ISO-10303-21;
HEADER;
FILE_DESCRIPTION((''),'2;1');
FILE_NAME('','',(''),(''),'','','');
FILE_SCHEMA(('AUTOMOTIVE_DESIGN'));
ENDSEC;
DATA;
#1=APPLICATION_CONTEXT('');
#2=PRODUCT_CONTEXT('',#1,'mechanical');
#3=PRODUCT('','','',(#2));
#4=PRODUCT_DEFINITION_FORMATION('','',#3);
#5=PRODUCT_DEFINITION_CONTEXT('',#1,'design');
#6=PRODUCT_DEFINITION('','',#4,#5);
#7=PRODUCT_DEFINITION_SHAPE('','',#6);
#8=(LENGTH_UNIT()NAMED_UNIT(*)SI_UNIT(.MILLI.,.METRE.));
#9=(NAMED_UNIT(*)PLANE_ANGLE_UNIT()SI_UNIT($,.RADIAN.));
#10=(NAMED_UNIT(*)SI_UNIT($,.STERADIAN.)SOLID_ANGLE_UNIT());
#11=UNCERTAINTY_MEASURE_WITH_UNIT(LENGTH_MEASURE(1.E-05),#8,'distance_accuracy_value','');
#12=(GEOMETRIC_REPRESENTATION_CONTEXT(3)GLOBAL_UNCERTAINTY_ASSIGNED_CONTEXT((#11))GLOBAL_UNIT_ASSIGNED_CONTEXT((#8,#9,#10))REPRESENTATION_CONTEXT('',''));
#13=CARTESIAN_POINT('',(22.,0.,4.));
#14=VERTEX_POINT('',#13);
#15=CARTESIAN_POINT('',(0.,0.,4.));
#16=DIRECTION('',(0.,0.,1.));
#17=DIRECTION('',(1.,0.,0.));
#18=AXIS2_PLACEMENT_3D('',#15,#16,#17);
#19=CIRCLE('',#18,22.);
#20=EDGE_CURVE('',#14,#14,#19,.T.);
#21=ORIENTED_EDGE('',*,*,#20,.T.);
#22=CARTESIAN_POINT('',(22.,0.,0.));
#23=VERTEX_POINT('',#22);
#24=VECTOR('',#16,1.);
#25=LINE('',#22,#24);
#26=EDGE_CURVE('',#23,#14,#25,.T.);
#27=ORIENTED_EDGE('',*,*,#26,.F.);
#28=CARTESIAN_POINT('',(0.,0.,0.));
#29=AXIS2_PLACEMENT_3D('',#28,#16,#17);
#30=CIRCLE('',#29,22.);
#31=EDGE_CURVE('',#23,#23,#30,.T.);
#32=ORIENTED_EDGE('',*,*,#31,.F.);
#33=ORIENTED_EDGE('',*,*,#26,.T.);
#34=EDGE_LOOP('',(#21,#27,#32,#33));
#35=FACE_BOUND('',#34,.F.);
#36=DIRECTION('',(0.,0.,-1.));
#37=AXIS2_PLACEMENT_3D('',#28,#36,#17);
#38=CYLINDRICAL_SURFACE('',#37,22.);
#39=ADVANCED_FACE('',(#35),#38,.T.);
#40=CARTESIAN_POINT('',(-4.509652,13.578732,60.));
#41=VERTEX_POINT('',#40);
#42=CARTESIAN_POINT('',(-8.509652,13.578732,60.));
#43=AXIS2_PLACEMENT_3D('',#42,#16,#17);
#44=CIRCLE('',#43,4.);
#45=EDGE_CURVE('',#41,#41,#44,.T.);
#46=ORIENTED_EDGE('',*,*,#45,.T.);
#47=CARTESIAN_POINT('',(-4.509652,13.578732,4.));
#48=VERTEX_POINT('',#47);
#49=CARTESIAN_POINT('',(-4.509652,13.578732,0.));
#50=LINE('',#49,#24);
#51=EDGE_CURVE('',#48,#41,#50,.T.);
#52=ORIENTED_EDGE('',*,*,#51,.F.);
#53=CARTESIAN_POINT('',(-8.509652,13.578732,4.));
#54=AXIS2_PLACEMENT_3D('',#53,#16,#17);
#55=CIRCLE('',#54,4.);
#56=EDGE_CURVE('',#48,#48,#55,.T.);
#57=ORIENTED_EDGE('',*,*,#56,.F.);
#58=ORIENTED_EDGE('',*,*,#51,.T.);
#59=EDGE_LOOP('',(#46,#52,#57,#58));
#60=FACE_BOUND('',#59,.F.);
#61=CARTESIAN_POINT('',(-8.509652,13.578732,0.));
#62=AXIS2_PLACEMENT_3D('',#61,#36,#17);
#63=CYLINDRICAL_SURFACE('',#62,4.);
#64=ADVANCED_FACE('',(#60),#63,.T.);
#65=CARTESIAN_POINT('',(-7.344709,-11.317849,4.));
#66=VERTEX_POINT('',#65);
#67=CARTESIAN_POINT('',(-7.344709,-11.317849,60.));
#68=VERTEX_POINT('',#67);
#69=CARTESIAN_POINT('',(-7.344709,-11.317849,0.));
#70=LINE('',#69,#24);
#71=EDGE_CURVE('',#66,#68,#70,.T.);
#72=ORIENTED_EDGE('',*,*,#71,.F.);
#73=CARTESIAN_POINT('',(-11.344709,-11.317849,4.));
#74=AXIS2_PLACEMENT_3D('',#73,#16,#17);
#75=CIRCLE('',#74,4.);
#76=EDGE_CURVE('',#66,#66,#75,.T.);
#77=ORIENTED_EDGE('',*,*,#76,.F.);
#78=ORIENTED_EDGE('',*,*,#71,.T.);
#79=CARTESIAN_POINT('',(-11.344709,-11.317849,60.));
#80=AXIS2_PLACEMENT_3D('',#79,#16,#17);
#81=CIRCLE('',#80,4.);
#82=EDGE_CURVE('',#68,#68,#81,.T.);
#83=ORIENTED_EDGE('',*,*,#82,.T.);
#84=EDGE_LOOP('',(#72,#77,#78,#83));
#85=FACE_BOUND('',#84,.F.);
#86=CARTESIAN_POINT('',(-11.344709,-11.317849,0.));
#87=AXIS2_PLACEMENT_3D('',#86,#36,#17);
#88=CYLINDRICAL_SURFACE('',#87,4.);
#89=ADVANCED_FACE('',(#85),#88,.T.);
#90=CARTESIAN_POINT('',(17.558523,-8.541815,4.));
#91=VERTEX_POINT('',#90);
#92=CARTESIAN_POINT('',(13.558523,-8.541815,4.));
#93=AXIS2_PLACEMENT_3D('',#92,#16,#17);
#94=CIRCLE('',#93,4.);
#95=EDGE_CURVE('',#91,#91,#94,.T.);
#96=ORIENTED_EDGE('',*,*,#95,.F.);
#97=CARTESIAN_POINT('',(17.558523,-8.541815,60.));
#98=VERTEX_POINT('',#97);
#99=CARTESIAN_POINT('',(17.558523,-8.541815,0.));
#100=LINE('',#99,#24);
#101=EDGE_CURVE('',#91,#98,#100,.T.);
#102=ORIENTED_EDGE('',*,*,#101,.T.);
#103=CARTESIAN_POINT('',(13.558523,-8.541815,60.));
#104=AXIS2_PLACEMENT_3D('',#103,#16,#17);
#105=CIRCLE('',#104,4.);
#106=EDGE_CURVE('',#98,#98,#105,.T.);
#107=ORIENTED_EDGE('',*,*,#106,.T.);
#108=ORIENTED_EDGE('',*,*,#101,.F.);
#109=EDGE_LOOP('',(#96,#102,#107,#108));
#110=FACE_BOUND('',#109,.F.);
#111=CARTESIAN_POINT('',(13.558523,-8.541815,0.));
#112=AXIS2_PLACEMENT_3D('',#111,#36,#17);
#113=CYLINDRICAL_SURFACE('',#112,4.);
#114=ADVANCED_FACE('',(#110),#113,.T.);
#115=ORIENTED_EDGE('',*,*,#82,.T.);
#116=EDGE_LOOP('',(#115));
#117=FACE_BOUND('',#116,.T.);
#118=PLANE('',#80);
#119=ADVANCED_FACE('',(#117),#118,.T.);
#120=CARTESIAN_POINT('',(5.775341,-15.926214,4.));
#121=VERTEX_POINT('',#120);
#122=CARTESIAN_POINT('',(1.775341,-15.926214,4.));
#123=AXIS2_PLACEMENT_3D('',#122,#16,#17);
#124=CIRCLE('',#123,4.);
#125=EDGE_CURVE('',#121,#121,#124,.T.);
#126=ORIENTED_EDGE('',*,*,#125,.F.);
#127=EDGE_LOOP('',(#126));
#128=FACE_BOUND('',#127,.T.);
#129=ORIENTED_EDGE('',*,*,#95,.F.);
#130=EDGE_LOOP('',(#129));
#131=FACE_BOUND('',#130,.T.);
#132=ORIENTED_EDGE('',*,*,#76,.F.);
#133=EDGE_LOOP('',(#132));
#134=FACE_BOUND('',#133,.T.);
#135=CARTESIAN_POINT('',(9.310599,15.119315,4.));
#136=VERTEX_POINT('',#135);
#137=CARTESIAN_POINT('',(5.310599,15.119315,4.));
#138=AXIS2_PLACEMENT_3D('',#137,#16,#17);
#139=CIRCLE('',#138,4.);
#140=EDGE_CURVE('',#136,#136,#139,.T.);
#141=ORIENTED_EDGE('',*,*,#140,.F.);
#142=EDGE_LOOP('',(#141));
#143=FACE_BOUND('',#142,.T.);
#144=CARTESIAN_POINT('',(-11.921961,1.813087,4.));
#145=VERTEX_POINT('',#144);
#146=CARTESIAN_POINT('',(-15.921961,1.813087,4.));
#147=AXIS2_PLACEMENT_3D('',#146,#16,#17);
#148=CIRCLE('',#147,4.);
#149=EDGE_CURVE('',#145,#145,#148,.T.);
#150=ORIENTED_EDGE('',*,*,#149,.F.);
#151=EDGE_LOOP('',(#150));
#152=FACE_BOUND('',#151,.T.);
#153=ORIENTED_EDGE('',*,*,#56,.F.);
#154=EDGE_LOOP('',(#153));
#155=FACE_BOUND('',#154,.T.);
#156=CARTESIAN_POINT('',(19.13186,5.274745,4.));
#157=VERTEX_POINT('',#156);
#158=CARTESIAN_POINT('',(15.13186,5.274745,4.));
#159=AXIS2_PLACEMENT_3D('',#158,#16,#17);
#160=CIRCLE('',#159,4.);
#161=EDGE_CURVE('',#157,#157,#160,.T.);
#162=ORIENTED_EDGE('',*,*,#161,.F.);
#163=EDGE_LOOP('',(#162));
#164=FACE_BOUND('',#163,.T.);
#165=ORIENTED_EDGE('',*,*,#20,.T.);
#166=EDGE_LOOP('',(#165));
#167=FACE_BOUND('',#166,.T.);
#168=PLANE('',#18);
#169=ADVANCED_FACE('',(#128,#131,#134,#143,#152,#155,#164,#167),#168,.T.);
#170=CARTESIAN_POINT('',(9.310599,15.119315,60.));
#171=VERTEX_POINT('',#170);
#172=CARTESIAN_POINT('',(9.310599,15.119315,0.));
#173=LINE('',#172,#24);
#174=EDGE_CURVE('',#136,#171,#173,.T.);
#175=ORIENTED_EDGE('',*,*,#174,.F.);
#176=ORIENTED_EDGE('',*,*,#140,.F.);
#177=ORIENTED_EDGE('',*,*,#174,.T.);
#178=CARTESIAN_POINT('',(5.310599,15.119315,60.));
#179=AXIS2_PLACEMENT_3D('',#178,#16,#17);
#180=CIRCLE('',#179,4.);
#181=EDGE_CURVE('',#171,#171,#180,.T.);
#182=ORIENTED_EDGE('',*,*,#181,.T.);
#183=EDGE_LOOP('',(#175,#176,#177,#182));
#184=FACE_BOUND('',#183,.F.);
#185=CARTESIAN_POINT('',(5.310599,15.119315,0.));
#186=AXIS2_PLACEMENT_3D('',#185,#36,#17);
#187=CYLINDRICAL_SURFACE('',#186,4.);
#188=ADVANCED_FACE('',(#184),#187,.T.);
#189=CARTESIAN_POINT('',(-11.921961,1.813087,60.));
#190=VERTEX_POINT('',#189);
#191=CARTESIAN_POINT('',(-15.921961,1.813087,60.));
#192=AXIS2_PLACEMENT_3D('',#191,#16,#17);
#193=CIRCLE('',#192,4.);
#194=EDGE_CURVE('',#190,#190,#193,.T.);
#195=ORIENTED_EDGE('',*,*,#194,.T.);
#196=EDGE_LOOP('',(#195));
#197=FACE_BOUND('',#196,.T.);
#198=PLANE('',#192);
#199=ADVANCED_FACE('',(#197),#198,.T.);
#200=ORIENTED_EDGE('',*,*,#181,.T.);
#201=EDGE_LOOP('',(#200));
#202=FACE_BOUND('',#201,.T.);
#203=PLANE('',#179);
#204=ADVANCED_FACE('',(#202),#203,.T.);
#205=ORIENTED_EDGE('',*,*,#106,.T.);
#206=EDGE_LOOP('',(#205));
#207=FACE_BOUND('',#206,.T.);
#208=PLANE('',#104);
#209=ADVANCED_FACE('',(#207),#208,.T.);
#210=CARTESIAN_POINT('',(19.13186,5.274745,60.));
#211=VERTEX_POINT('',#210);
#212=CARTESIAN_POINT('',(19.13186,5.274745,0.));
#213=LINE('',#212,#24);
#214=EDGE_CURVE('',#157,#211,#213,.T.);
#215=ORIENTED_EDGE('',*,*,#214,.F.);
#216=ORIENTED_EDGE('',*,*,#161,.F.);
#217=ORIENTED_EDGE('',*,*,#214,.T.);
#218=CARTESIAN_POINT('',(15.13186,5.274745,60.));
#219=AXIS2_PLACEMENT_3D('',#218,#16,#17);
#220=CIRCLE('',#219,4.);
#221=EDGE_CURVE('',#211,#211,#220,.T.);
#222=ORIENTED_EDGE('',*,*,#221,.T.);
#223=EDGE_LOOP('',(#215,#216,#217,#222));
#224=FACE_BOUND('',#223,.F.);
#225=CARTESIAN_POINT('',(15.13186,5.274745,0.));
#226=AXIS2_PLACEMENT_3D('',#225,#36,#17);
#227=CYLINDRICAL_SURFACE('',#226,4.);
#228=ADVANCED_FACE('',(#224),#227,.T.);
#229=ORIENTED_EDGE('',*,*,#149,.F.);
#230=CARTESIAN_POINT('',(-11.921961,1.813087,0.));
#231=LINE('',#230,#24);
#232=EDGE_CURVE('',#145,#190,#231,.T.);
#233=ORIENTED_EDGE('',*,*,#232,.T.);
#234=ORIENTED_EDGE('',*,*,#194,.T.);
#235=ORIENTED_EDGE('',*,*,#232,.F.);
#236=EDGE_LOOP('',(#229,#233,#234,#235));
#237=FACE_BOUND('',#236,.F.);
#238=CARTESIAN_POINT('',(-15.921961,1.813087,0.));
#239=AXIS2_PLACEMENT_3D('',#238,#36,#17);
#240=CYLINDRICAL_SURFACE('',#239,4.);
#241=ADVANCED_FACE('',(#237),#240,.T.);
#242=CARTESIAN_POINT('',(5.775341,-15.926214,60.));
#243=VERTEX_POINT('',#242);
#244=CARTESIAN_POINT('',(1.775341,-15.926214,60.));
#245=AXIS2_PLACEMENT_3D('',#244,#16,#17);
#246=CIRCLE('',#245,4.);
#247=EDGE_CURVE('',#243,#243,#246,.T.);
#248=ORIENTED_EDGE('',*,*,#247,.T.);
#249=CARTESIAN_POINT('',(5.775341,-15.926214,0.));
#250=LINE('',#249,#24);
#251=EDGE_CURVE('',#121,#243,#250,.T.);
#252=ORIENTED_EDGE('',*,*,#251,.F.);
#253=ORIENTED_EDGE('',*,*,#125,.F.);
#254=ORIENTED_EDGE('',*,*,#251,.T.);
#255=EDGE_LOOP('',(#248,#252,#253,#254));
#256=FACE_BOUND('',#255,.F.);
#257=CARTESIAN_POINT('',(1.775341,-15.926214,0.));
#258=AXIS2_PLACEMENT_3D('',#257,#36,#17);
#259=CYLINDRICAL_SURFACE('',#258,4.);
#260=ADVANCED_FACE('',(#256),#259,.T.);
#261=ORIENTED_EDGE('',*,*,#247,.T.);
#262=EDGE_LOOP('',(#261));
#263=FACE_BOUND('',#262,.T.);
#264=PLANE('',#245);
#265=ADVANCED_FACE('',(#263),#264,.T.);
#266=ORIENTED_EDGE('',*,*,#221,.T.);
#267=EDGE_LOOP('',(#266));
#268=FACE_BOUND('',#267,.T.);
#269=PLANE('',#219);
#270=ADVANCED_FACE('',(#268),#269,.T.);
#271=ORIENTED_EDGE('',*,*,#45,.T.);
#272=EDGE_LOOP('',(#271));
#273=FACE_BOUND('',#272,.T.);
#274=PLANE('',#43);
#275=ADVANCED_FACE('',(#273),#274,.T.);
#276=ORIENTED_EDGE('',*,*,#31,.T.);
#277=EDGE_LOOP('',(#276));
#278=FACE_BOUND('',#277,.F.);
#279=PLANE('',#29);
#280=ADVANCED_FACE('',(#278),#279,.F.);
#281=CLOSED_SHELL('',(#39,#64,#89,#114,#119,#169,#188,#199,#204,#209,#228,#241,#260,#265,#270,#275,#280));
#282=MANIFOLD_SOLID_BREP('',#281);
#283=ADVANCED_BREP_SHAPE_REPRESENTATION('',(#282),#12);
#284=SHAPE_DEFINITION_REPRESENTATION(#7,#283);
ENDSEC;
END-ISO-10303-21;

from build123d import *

# Parameters (mm, degrees)
F0_R     = 22
F0_R_2   = 4
F1_DEPTH = 4
F2_DEPTH = 60


with BuildPart() as f1:
    # F0 (on Top) → F1 (new body)
    with BuildSketch(Plane.XY):
        Circle(F0_R)
        with Locations((-11.344709, -11.317849)):
            Circle(F0_R_2, mode=Mode.SUBTRACT)
        with Locations((1.775341, -15.926214)):
            Circle(F0_R_2, mode=Mode.SUBTRACT)
        with Locations((13.558523, -8.541815)):
            Circle(F0_R_2, mode=Mode.SUBTRACT)
        with Locations((-15.921961, 1.813087)):
            Circle(F0_R_2, mode=Mode.SUBTRACT)
        with Locations((-8.509652, 13.578732)):
            Circle(F0_R_2, mode=Mode.SUBTRACT)
        with Locations((15.13186, 5.274745)):
            Circle(F0_R_2, mode=Mode.SUBTRACT)
        with Locations((5.310599, 15.119315)):
            Circle(F0_R_2, mode=Mode.SUBTRACT)
    extrude(amount=F1_DEPTH)

    # F0 (on Top) → F2 (join)
    with BuildSketch(Plane.XY):
        with Locations((13.558523, -8.541815)):
            Circle(F0_R_2)
        with Locations((-8.509652, 13.578732)):
            Circle(F0_R_2)
        with Locations((15.13186, 5.274745)):
            Circle(F0_R_2)
        with Locations((-11.344709, -11.317849)):
            Circle(F0_R_2)
        with Locations((1.775341, -15.926214)):
            Circle(F0_R_2)
        with Locations((-15.921961, 1.813087)):
            Circle(F0_R_2)
        with Locations((5.310599, 15.119315)):
            Circle(F0_R_2)
    extrude(amount=F2_DEPTH)


solid = f1.part
